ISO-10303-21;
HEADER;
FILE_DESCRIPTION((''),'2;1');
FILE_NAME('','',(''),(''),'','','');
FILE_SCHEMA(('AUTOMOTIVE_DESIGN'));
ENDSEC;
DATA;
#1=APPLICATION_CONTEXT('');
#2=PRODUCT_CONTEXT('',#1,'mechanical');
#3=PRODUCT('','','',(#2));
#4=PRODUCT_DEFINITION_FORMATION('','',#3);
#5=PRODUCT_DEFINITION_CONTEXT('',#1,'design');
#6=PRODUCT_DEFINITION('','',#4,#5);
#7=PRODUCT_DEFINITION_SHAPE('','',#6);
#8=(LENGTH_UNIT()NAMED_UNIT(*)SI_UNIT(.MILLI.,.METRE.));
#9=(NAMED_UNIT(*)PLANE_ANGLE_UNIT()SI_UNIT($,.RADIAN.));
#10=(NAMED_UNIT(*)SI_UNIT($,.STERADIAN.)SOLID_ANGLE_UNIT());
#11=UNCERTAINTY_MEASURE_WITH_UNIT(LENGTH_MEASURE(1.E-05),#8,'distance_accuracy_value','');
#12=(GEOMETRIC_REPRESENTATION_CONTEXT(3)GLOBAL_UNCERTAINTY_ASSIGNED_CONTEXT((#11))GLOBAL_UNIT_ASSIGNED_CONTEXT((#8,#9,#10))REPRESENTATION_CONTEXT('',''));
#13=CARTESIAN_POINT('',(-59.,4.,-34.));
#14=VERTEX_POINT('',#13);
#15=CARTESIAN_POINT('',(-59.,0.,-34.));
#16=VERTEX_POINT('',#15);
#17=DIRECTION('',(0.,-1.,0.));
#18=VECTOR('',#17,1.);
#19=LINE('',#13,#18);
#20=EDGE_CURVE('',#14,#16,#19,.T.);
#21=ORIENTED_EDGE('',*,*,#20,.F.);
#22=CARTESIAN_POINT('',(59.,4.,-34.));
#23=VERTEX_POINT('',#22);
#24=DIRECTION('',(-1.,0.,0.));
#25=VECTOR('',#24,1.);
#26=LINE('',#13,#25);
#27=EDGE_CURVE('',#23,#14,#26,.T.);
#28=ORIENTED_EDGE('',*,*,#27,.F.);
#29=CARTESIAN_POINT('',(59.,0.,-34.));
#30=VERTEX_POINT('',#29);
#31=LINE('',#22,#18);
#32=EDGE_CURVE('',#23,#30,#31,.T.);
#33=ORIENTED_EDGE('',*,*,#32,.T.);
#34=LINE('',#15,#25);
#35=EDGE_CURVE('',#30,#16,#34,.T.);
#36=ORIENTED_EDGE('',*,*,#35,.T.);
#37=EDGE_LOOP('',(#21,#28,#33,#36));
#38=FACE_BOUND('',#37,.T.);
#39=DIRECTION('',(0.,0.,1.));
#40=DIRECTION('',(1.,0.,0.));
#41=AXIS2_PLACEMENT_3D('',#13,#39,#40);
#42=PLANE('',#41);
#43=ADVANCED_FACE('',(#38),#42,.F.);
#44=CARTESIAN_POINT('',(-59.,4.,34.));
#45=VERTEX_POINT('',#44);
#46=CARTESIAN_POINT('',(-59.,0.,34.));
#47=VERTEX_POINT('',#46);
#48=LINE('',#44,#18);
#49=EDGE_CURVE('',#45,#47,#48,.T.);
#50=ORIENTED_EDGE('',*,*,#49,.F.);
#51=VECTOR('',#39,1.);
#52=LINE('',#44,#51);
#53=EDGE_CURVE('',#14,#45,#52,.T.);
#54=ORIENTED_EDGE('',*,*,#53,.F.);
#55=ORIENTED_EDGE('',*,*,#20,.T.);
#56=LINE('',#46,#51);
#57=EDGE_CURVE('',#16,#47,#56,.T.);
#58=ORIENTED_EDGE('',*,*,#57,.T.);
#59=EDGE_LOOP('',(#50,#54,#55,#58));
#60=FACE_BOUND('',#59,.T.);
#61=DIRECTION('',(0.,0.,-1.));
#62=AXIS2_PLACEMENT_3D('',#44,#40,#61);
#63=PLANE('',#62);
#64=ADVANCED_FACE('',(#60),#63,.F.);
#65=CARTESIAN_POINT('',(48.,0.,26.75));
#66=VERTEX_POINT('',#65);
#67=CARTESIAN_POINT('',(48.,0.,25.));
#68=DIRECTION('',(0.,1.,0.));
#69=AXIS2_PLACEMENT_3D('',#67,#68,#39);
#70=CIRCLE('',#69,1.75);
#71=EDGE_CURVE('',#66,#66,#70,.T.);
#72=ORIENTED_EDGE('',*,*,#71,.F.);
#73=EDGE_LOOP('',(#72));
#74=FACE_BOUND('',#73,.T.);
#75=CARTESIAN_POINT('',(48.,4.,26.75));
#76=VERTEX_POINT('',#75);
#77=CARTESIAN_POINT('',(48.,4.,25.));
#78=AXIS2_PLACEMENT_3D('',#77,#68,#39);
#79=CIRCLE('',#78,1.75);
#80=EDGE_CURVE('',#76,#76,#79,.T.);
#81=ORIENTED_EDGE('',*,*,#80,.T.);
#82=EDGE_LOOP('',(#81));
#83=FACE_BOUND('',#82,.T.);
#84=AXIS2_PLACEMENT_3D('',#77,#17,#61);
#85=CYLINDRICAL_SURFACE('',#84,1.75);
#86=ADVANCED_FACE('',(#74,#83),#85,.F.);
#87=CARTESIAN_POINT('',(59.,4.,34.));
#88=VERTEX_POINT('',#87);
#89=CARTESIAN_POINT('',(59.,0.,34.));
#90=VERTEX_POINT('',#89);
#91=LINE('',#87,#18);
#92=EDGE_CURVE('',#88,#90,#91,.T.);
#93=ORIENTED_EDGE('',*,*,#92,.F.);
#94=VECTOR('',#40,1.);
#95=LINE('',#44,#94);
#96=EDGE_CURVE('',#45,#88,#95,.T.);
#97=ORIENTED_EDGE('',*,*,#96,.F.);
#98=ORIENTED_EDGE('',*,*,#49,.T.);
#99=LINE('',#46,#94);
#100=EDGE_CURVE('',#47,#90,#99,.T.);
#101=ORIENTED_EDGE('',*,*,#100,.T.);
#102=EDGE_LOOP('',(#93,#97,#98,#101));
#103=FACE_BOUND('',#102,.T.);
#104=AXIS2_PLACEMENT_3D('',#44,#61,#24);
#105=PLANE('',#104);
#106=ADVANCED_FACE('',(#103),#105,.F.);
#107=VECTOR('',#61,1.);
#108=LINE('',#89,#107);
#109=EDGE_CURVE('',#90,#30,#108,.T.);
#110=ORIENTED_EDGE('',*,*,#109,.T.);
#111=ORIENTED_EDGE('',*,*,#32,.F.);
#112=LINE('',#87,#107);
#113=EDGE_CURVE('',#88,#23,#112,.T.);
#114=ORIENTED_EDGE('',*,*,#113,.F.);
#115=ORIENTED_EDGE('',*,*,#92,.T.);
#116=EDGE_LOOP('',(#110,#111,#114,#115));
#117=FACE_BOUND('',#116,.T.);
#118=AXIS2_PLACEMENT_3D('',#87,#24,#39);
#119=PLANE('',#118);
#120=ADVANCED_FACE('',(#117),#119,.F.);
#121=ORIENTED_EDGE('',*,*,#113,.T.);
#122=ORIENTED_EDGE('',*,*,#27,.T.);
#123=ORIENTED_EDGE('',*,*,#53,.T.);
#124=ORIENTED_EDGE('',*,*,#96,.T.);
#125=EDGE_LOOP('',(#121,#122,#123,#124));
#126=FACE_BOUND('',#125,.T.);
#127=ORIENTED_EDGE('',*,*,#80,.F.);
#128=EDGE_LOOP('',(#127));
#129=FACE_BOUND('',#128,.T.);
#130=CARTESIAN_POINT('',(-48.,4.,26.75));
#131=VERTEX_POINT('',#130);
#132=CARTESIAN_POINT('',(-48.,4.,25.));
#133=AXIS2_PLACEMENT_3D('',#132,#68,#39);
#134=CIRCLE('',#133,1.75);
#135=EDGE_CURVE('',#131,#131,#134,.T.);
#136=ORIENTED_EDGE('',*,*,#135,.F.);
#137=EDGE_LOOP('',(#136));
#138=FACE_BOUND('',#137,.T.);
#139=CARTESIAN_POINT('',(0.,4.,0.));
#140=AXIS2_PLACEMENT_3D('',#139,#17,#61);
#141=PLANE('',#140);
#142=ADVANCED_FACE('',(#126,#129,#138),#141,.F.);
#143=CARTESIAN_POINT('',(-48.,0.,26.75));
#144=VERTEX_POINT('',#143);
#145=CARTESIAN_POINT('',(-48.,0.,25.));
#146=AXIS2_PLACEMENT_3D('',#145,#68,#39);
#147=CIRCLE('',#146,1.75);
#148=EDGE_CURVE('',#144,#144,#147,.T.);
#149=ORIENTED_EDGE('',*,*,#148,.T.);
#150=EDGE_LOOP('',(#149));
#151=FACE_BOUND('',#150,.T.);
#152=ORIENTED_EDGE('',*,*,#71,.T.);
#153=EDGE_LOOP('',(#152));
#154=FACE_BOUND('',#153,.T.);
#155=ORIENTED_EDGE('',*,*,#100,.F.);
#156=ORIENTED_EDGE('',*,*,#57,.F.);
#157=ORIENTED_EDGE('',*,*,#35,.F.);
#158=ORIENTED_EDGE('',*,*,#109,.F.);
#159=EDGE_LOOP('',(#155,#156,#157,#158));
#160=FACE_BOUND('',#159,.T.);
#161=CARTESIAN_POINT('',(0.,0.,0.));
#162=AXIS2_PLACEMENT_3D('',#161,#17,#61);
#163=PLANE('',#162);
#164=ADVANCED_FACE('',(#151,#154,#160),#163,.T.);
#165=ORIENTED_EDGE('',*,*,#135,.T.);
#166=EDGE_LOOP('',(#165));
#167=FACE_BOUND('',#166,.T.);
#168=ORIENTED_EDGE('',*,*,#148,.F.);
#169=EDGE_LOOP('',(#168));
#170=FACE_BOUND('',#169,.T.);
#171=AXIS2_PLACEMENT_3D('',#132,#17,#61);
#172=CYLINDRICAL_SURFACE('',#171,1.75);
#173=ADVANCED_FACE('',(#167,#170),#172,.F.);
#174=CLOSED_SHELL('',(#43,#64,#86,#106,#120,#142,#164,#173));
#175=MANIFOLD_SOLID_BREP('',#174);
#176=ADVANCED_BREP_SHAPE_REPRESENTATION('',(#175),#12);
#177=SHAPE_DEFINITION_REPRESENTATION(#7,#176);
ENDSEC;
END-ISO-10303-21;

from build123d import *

# Parameters (mm, degrees)
SKETCH1_W               = 118
SKETCH1_H               = 68
SKETCH1_R               = 1.75
TRAY_BASE_EXTRUDE_DEPTH = 4


with BuildPart() as part:
    # Sketch1 → Tray_Base_Extrude (new body)
    with BuildSketch(Plane(origin=(0, 0, 0), x_dir=(1, 0, 0), z_dir=(0, 1, 0))):
        Rectangle(SKETCH1_W, SKETCH1_H)
        with Locations(Location((-48, -25, 0), (0, 0, 270))):
            Circle(SKETCH1_R, mode=Mode.SUBTRACT)
        with Locations(Location((48, -25, 0), (0, 0, 270))):
            Circle(SKETCH1_R, mode=Mode.SUBTRACT)
    extrude(amount=TRAY_BASE_EXTRUDE_DEPTH)


solid = part.part
